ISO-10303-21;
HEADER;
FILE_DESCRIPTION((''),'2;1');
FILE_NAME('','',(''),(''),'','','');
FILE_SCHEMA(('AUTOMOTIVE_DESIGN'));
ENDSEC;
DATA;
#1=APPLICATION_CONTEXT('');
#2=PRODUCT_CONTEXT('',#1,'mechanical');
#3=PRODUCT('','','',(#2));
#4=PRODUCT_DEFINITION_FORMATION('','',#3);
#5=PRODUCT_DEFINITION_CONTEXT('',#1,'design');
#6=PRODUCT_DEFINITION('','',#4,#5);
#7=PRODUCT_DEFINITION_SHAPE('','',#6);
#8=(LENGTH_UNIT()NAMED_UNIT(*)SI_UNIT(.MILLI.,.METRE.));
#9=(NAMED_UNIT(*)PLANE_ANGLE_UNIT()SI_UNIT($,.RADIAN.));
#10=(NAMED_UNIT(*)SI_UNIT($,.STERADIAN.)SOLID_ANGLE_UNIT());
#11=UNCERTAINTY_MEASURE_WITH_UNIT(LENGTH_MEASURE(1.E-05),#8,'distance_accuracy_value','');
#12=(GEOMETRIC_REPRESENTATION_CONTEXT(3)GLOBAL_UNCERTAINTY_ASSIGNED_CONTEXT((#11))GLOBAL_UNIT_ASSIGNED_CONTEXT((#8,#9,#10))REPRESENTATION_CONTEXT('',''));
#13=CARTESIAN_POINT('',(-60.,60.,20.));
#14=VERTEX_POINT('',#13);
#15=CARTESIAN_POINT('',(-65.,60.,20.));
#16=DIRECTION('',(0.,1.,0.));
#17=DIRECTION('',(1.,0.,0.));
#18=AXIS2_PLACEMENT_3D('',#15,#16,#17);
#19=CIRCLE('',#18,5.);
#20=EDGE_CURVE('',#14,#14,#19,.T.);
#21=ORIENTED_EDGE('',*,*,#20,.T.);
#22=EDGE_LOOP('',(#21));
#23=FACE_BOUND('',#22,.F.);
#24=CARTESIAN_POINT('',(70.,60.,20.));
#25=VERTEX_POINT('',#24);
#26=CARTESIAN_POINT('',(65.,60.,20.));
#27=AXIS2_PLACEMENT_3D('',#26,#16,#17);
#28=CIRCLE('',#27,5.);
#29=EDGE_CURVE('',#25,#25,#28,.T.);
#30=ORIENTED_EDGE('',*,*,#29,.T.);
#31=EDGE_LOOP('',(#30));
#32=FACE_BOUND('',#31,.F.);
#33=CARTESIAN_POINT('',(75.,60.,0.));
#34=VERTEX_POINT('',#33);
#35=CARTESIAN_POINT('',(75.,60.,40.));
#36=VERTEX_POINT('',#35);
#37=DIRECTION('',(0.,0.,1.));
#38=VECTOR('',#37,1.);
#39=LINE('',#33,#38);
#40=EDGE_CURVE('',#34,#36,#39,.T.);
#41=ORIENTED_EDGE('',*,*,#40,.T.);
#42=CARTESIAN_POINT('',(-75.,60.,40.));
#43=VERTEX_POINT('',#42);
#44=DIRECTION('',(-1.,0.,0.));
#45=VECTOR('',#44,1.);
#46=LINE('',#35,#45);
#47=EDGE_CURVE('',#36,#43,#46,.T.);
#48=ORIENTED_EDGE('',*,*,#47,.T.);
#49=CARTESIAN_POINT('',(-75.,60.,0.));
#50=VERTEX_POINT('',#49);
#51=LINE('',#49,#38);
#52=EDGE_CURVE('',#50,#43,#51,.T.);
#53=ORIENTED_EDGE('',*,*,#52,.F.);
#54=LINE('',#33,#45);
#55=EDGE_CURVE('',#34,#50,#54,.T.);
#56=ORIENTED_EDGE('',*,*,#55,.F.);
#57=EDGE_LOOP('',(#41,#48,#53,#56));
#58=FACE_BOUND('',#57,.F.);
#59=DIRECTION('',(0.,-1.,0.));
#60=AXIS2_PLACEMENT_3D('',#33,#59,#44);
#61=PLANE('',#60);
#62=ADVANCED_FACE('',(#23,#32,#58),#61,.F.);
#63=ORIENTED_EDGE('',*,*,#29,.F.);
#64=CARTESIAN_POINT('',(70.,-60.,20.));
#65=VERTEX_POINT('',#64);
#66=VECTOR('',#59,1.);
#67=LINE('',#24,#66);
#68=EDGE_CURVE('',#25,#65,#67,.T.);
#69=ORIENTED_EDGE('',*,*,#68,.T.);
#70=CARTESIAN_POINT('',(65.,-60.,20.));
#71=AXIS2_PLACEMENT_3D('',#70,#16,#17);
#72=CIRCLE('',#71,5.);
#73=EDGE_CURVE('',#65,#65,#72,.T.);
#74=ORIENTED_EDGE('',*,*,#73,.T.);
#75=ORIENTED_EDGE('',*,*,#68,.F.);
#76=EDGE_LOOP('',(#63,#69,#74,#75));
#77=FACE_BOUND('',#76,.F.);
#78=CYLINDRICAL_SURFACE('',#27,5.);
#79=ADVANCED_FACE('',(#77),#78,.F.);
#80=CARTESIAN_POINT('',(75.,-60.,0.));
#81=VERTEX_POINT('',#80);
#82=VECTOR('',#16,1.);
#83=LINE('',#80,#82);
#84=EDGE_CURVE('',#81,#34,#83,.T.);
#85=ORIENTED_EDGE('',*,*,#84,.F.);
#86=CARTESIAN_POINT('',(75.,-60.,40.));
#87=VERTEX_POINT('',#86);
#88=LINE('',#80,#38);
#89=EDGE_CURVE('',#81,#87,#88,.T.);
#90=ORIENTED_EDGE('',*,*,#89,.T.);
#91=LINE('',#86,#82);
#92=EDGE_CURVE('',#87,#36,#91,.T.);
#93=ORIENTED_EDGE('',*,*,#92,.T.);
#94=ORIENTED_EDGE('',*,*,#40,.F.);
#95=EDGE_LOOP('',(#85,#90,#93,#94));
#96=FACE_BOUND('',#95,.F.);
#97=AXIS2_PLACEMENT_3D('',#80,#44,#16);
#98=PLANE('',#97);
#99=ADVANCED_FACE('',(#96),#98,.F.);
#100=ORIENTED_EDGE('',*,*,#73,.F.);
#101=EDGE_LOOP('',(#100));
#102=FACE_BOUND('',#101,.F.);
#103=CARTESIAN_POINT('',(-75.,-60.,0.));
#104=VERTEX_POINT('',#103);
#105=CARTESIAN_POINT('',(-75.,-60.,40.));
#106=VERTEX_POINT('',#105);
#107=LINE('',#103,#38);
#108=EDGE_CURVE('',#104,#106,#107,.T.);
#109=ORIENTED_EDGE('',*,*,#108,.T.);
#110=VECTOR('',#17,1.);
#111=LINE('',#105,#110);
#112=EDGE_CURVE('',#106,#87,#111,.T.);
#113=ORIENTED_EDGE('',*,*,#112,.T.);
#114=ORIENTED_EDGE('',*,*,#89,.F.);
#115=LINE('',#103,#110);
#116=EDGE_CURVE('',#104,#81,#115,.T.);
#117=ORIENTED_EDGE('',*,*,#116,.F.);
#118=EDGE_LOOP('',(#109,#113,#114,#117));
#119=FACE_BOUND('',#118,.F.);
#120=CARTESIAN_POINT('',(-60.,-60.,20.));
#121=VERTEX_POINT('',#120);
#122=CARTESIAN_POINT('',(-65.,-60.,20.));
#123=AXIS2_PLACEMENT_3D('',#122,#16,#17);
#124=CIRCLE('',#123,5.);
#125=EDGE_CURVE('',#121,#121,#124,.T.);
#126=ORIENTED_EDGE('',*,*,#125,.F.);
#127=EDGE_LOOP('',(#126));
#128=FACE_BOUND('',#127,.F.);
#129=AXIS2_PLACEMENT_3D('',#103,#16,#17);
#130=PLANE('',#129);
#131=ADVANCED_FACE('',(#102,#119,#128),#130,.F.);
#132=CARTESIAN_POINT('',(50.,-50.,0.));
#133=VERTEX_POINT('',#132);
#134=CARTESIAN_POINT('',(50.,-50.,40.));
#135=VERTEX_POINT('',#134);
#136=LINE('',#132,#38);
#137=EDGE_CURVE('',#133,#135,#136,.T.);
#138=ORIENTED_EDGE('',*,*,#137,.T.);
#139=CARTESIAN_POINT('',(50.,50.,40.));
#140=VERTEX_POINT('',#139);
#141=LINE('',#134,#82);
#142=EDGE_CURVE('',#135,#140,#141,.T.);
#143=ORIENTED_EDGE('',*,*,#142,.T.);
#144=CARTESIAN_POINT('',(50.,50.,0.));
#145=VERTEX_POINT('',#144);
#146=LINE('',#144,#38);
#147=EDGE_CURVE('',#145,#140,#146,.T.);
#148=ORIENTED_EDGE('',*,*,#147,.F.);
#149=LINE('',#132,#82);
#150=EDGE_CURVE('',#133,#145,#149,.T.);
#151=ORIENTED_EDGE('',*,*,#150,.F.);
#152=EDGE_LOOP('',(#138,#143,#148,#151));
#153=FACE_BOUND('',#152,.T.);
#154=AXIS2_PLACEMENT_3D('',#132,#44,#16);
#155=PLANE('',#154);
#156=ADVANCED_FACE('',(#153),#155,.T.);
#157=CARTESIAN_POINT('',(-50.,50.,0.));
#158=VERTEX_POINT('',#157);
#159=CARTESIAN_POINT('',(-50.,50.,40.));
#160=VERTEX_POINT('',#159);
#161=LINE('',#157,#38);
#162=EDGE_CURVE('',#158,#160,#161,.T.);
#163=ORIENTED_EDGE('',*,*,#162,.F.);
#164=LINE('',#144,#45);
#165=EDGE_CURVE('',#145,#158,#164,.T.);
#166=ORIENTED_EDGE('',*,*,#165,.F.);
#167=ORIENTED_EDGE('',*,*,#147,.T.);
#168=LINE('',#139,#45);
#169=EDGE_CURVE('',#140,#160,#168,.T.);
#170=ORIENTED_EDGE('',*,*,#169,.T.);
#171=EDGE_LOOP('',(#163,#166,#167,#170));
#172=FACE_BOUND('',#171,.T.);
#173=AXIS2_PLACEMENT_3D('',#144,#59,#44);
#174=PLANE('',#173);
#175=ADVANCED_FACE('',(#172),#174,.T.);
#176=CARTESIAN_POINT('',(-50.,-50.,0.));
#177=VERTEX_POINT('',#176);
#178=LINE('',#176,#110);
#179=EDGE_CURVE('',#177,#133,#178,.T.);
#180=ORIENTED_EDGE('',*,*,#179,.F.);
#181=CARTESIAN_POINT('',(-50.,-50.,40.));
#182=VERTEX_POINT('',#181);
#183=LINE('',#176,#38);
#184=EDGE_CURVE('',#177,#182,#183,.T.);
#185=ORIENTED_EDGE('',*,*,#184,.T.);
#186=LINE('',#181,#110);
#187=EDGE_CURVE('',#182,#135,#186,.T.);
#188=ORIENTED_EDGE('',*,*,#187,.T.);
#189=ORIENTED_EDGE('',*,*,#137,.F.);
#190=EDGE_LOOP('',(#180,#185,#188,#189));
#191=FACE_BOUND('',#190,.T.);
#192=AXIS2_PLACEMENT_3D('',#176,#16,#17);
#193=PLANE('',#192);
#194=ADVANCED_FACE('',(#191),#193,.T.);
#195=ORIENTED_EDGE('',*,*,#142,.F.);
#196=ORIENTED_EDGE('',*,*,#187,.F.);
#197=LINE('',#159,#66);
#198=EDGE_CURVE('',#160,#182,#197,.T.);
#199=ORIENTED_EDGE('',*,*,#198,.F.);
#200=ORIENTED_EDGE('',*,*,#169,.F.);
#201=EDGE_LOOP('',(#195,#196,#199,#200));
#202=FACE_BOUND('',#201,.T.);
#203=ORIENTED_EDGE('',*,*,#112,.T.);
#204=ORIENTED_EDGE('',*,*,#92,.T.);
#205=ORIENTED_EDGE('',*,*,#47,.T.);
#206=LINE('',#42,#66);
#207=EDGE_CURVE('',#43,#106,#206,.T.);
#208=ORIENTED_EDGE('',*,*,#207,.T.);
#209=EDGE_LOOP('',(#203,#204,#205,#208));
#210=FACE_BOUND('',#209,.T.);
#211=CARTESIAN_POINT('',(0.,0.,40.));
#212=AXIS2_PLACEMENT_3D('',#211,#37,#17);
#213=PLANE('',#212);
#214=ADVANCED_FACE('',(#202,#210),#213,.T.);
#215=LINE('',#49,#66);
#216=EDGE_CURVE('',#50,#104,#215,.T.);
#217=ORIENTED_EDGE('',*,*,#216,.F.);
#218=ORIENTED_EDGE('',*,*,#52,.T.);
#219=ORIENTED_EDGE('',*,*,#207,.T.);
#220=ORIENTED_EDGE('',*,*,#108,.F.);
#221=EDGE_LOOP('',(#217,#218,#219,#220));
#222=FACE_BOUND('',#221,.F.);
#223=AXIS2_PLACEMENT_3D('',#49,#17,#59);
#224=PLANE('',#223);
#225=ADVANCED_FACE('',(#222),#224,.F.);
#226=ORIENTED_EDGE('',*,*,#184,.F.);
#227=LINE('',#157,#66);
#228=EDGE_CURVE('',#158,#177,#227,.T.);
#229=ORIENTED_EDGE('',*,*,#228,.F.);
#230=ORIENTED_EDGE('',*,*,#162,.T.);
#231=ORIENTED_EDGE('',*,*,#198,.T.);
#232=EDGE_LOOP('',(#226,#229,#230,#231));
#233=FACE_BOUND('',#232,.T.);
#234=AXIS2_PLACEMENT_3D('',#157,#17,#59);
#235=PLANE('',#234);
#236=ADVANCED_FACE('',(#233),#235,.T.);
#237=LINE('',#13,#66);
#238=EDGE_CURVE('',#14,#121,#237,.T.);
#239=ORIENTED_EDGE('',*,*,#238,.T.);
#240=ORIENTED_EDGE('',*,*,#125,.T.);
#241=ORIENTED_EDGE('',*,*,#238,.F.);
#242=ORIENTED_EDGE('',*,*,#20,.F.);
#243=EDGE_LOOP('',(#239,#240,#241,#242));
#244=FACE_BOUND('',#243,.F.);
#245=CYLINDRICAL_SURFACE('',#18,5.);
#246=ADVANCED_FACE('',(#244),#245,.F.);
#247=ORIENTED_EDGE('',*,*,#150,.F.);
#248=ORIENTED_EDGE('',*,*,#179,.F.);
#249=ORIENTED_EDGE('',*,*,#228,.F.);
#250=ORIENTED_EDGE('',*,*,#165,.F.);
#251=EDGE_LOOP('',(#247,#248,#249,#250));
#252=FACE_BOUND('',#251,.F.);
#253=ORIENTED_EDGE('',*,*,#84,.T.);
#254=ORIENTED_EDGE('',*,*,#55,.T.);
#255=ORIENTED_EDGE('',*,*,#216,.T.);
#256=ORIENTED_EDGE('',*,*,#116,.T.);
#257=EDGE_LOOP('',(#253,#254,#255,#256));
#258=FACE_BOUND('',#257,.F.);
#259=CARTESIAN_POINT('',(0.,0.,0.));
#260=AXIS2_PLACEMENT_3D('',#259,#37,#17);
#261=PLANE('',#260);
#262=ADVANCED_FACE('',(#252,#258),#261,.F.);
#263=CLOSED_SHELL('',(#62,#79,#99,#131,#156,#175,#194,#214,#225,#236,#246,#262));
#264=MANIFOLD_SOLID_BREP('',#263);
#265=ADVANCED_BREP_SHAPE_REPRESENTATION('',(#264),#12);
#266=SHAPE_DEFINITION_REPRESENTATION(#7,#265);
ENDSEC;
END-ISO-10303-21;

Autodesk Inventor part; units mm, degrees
ref_plane "YZ Plane" through (0, 0, 0) normal (1, 0, 0) x (0, 1, 0)
ref_plane "XZ Plane" through (0, 0, 0) normal (0, 1, 0) x (-1, 0, 0)
ref_plane "XY Plane" through (0, 0, 0) normal (0, 0, 1) x (1, 0, 0)
sketch "Skizze1" plane through (0, 0, 0) normal (0, 0, 1) x (1, 0, 0)
  line L0 (-50, -50) -> (50, -50)
  line L1 (50, -50) -> (50, 50)
  line L2 (50, 50) -> (-50, 50)
  line L3 (-50, 50) -> (-50, -50)
  line L4 (-50, -50) -> (50, 50) construction
  line L5 (50, -50) -> (-50, 50) construction
  line L6 (-75, -60) -> (75, -60)
  line L7 (75, -60) -> (75, 60)
  line L8 (75, 60) -> (-75, 60)
  line L9 (-75, 60) -> (-75, -60)
  line L10 (-75, -60) -> (75, 60) construction
  line L11 (75, -60) -> (-75, 60) construction
  point P0 (0, 0)
  dimension "d0" = 100
  dimension "d1" = 100
  dimension "d2" = 150
  dimension "d3" = 120
extrude "Extrusion1" add sketch "Skizze1" along normal blind 40
sketch "Skizze2" plane through (-75, 60, 0) normal (0, 1, 0) x (1, 0, 0)
  circle A0 centre (140, -20) radius 5
  circle A1 centre (10, -20) radius 5
  line L0 (150, 0) -> (150, -40) projected
  line L1 (0, 0) -> (0, -40) projected
  line L2 (150, 0) -> (0, 0) projected
  line L3 (150, -40) -> (0, -40) projected
  point P0 (75, 0)
  dimension "d6" = 10
  dimension "d7" = 10
  dimension "d8" = 10
  dimension "d9" = 10
  dimension "d10" = 40
  dimension "d11" = 20
  dimension "d12" = 20
extrude "Extrusion2" cut sketch "Skizze2" against normal through all contours A0 | A1
equation "\"d7\" = d6"
equation "\"d9\" = d8"
equation "\"d11\" = 0.5 * d10"
equation "\"d12\" = d11"
properties part number "Grundkoerper"
